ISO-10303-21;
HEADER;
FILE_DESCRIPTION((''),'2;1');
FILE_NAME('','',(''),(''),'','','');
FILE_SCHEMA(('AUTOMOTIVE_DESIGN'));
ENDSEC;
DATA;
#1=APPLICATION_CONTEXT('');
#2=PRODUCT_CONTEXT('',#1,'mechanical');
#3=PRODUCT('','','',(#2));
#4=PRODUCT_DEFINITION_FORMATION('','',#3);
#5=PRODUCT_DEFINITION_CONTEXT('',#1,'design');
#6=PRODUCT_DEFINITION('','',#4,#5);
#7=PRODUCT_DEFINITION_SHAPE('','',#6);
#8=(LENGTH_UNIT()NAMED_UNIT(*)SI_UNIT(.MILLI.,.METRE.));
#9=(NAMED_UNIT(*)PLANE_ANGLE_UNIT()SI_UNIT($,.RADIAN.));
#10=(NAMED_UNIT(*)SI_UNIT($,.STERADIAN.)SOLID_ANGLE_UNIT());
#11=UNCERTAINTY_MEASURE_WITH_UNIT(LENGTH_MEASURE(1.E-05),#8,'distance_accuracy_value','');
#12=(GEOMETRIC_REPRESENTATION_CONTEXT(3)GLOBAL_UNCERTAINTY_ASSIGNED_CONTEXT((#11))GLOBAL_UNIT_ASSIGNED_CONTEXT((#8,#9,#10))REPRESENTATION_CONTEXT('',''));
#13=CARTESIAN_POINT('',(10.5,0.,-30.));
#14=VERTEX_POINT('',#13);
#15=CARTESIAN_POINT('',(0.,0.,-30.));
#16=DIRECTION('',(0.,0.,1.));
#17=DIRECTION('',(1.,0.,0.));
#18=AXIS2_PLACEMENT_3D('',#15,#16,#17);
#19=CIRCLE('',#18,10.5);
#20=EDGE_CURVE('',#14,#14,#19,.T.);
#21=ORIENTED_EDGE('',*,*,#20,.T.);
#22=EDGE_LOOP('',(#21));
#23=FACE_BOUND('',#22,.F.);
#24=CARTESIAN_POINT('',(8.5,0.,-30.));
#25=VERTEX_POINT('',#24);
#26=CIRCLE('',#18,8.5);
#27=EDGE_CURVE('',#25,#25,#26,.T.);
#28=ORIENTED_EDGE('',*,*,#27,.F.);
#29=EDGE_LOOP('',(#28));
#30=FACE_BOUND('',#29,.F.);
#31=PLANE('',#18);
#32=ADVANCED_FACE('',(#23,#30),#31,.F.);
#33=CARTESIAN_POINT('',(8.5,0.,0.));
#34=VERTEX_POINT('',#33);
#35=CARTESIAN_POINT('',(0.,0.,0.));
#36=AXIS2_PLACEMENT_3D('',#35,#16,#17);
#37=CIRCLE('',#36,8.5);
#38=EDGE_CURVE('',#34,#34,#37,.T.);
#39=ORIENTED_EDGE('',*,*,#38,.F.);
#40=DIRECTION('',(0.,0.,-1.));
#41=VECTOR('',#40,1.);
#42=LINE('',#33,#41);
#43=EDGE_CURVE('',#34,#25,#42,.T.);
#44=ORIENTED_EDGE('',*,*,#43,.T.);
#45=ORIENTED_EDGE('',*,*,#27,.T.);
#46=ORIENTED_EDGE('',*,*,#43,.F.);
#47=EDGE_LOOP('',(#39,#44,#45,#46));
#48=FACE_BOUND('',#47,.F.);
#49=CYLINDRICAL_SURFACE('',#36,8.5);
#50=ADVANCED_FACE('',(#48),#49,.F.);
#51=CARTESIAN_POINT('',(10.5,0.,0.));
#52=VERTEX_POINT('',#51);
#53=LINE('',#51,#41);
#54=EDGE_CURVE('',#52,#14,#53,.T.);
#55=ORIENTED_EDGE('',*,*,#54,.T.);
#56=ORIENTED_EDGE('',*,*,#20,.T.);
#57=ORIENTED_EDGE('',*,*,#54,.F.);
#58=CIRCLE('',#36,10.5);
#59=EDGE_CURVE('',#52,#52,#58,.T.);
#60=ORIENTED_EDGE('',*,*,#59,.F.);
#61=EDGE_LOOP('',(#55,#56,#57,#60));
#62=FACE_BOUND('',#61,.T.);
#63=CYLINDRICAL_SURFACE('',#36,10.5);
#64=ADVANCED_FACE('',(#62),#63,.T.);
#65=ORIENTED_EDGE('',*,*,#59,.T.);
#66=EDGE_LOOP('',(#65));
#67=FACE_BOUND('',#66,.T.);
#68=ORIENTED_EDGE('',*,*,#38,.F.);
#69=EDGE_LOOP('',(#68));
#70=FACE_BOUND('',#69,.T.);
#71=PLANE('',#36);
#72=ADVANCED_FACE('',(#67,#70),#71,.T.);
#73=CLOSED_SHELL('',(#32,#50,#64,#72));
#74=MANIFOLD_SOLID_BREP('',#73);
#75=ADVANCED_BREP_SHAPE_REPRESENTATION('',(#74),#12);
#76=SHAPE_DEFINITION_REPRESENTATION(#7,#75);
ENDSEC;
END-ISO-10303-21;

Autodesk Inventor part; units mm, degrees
ref_plane "YZ Plane" through (0, 0, 0) normal (1, 0, 0) x (0, 1, 0)
ref_plane "XZ Plane" through (0, 0, 0) normal (0, 1, 0) x (-1, 0, 0)
ref_plane "XY Plane" through (0, 0, 0) normal (0, 0, 1) x (1, 0, 0)
sketch "Sketch11" plane through (0, 0, 0) normal (0, 0, 1) x (1, 0, 0)
  circle A0 centre (0, 0) radius 10.5
  circle A1 centre (0, 0) radius 8.5
  dimension "d187" = 21
  dimension "d188" = 2
extrude "Extrusion5" add sketch "Sketch11" against normal blind 30
properties part number "ANP 1451 FDS thread  tube10" material "Stainless Steel"
